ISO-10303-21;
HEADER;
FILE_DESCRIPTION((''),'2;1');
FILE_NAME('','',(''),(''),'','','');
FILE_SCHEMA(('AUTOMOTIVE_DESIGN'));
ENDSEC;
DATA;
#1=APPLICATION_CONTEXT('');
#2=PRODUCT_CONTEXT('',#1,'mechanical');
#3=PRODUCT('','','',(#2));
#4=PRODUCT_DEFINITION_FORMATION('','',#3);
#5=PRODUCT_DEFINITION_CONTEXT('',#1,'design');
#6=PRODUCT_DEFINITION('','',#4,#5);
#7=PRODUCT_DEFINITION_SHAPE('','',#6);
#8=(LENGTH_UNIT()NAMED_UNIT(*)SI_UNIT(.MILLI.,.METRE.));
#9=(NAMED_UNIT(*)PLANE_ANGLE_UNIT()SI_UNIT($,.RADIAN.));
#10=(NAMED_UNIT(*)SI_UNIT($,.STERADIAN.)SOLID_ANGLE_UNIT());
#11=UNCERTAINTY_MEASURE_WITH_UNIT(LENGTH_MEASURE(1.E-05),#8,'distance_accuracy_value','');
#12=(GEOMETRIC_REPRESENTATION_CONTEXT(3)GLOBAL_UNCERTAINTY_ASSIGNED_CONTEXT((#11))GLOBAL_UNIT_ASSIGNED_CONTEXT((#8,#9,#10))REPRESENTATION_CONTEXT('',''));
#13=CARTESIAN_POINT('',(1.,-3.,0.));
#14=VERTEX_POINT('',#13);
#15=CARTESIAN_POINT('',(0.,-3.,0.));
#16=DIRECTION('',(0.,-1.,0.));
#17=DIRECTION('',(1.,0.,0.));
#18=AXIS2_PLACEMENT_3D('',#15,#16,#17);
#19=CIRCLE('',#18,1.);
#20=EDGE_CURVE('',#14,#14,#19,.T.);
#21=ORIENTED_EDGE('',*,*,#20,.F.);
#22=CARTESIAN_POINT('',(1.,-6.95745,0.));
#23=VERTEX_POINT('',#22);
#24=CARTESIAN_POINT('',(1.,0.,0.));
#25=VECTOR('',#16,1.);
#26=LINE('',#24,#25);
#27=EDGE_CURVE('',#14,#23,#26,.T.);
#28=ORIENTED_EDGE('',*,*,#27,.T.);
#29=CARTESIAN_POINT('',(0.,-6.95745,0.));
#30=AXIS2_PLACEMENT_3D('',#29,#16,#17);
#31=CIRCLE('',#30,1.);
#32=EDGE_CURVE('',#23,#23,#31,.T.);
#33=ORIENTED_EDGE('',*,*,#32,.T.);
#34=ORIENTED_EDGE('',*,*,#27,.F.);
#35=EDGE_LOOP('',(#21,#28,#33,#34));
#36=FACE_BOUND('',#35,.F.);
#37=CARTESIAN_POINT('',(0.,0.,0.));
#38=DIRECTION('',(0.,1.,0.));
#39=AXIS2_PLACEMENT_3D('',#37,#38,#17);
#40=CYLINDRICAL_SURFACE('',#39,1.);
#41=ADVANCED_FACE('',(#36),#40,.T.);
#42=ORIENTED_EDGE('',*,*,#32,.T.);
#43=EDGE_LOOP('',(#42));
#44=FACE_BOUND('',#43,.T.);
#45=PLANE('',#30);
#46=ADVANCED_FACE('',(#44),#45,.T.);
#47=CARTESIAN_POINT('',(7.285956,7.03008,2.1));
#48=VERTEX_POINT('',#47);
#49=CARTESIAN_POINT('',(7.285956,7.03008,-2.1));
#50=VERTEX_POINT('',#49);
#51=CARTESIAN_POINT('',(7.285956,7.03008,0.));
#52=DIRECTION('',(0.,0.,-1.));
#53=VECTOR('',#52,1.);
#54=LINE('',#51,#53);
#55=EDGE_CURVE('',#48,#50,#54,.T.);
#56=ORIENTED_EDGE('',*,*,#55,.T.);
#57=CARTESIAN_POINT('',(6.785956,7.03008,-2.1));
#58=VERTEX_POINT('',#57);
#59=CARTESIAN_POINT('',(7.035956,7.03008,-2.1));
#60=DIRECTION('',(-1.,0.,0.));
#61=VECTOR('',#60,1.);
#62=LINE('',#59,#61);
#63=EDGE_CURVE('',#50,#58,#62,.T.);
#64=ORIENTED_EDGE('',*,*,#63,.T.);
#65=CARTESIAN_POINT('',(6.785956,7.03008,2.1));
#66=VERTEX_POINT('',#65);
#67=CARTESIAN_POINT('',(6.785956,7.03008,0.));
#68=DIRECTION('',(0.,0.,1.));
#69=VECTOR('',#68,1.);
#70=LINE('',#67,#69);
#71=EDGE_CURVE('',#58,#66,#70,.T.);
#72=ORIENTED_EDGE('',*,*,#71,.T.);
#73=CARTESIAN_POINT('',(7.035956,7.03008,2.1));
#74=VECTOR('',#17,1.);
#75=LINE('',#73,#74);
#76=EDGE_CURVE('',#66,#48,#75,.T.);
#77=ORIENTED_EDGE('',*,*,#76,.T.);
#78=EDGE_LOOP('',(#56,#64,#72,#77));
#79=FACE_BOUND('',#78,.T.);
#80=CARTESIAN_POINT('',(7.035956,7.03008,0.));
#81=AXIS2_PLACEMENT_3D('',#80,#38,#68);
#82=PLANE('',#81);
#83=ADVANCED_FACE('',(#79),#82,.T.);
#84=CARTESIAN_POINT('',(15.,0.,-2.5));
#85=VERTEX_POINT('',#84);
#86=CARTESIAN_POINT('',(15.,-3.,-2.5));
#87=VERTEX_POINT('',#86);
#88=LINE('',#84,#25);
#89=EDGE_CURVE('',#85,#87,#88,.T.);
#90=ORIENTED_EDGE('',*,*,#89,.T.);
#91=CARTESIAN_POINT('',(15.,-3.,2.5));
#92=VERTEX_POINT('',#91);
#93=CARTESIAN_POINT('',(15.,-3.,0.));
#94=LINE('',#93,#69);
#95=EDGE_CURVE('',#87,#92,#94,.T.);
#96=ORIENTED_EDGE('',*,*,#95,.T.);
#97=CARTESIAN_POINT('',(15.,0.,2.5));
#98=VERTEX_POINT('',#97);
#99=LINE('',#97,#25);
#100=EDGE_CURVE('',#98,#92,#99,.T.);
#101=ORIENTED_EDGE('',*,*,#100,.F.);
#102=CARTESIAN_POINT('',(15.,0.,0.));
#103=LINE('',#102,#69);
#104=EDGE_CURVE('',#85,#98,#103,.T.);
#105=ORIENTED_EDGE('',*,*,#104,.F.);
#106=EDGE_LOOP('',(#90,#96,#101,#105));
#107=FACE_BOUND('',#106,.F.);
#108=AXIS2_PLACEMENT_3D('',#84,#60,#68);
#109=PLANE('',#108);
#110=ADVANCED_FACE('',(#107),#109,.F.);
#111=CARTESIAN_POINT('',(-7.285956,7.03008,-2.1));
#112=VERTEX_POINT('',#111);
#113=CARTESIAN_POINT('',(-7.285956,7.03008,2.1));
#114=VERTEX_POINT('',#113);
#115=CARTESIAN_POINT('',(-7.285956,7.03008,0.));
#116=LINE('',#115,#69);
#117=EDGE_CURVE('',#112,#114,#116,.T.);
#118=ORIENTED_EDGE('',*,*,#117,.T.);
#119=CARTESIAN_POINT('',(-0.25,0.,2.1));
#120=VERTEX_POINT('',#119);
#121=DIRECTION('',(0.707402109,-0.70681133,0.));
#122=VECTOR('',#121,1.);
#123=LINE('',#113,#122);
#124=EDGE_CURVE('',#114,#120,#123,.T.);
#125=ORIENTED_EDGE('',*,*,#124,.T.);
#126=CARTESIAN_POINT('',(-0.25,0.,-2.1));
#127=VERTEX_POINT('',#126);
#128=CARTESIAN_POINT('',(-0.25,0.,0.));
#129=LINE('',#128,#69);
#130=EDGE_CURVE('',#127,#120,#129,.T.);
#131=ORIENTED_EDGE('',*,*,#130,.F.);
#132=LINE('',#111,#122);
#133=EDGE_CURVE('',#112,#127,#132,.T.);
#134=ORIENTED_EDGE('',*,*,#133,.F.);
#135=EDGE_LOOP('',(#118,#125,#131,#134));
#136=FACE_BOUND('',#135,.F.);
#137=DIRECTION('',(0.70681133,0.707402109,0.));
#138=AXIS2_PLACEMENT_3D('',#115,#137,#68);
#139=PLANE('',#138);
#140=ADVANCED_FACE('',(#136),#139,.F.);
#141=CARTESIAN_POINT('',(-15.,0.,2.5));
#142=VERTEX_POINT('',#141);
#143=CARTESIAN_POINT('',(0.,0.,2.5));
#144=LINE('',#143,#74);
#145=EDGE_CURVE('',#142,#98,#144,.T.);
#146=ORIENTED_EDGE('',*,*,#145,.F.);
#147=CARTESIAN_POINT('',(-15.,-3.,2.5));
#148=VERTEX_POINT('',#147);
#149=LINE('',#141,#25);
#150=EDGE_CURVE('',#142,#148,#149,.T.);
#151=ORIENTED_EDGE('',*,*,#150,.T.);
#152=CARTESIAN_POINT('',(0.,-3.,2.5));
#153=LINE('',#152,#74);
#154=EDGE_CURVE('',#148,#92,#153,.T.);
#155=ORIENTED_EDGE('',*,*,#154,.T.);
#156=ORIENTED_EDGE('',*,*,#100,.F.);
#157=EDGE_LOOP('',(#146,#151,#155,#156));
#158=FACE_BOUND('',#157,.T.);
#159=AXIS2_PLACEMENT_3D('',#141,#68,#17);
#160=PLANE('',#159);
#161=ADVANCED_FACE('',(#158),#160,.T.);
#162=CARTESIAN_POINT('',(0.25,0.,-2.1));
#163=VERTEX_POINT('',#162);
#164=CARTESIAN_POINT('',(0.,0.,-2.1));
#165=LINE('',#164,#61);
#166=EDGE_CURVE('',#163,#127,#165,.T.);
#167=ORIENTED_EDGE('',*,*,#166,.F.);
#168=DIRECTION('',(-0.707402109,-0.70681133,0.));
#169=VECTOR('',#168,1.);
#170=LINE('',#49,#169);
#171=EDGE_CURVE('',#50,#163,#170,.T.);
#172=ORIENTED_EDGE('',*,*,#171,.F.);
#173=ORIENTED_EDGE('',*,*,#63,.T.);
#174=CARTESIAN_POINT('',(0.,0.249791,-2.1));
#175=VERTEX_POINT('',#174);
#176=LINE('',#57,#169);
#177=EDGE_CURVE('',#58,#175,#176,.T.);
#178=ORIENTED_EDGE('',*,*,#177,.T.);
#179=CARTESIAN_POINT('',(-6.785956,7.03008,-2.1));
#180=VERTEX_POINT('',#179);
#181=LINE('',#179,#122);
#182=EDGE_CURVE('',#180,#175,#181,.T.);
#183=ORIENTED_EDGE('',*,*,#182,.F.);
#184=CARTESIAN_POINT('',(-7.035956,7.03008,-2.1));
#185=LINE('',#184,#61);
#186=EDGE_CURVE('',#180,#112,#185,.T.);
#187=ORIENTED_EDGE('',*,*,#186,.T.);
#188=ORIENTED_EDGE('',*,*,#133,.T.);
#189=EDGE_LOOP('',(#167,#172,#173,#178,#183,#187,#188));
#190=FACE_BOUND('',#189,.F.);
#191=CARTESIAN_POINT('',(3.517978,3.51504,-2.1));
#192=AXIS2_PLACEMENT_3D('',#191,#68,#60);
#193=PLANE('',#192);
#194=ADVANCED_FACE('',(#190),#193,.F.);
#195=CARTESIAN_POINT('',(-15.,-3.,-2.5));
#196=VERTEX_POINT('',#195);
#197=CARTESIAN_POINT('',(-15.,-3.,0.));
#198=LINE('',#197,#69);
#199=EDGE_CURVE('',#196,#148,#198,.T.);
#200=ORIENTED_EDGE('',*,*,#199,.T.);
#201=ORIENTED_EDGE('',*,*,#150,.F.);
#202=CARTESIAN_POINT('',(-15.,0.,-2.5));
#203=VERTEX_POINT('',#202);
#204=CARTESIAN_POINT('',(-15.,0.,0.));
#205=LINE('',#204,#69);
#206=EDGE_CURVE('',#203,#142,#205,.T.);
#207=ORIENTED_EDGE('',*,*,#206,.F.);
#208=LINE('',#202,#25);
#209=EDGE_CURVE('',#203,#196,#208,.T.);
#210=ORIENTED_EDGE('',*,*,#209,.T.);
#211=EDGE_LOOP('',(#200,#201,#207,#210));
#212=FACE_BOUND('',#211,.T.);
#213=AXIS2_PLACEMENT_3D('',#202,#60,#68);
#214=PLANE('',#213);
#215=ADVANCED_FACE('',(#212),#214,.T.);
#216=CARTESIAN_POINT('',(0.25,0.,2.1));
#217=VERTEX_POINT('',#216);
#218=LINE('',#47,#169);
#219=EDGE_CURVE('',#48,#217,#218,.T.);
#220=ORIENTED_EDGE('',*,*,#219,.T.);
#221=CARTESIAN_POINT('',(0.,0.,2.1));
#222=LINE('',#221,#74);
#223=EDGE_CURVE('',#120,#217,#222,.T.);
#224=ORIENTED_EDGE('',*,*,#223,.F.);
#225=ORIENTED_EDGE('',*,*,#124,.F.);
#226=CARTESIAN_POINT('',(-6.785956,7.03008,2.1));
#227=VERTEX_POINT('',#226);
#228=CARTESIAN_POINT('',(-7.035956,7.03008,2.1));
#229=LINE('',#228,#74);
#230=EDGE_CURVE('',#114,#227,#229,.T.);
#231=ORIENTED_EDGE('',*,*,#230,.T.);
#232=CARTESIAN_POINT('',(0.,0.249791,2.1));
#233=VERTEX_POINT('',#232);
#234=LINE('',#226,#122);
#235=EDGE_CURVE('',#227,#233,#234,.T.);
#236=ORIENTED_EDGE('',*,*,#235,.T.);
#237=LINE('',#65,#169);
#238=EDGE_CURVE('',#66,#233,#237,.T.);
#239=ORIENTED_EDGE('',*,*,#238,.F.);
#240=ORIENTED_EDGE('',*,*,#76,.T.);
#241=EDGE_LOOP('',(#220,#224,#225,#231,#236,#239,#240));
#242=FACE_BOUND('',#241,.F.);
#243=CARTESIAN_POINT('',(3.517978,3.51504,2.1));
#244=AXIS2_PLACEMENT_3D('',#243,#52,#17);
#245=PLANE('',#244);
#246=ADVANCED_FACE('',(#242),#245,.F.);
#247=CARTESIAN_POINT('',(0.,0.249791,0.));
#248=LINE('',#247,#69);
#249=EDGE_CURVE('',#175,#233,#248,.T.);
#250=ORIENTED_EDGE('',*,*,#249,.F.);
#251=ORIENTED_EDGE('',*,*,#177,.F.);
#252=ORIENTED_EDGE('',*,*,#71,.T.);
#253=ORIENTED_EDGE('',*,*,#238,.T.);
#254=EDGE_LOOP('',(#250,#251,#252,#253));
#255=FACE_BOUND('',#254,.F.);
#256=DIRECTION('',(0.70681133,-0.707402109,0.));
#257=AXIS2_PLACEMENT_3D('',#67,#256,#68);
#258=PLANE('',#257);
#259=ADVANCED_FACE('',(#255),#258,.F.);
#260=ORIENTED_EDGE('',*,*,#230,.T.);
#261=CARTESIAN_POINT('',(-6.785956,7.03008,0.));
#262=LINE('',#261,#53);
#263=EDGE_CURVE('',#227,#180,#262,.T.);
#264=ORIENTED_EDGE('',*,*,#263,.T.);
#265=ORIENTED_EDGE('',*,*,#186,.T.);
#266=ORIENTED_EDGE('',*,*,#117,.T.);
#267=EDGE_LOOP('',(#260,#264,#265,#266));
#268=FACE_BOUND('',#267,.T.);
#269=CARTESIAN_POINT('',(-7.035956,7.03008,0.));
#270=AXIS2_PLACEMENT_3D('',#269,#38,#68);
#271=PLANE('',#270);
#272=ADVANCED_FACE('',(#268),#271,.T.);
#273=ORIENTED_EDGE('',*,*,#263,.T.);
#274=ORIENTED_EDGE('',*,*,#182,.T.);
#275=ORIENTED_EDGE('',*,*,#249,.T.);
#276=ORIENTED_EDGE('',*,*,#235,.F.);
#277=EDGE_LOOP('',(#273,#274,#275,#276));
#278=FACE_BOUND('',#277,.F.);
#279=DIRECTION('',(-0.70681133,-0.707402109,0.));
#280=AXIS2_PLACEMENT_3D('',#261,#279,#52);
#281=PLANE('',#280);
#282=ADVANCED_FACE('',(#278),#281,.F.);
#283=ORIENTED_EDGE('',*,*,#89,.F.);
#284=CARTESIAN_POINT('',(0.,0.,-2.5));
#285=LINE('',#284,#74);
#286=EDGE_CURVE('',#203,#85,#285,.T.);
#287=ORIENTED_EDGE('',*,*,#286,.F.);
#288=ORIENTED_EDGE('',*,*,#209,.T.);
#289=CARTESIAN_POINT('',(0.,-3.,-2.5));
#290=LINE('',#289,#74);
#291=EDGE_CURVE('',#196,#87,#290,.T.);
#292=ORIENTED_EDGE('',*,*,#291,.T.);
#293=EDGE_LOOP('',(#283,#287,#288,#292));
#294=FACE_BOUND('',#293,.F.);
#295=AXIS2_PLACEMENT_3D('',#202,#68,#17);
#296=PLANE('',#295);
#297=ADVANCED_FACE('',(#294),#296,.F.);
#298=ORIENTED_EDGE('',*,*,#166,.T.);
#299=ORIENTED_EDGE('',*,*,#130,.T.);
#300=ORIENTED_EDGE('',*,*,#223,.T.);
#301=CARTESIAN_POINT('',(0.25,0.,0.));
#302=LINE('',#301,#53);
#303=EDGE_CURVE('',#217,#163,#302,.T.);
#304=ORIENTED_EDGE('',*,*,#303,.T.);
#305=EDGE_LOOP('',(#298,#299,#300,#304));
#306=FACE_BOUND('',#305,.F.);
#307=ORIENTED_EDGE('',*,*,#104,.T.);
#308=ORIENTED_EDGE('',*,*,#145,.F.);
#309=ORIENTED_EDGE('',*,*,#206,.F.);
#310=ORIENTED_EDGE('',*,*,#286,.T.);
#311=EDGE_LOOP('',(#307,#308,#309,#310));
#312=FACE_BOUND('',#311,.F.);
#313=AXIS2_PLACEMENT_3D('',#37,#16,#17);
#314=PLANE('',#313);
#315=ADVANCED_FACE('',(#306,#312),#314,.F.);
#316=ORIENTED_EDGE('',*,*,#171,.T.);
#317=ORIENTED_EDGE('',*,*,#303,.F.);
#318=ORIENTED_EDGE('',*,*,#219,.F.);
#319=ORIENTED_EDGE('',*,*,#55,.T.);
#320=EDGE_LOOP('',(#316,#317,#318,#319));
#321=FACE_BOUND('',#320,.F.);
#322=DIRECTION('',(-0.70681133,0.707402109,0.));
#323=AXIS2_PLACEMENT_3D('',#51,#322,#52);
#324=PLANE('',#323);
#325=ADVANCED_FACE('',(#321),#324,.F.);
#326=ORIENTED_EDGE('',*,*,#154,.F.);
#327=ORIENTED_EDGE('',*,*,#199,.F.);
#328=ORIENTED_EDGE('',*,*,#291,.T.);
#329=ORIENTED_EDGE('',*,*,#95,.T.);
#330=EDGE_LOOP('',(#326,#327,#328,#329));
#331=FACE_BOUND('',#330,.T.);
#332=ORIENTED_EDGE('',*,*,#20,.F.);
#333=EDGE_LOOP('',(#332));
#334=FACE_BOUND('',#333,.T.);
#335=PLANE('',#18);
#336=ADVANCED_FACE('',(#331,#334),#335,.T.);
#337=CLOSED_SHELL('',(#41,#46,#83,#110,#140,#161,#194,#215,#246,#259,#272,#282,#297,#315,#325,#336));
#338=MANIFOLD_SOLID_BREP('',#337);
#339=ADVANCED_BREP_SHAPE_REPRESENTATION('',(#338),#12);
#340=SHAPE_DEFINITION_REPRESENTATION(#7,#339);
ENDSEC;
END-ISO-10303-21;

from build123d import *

# Parameters (mm, degrees)
F0_W     = 30
F0_H     = 5
F0_R     = 1
F1_DEPTH = 3
F2_DEPTH = 6.95745
F4_W     = 0.5
F4_H     = 4.2


with BuildPart() as f1:
    # F0 (on Front) → F1 (new body)
    with BuildSketch(Plane.XZ):
        Rectangle(F0_W, F0_H)
        Circle(F0_R, mode=Mode.SUBTRACT)
    extrude(amount=F1_DEPTH)

    # F0 (on Front) → F2 (join)
    with BuildSketch(Plane.XZ):
        Circle(F0_R)
    extrude(amount=F2_DEPTH)

    # F5: sweep along a path in F3
    with BuildLine(Plane.XY) as f5_path:
        Line((-7.035956, 7.03008), (0, 0))
    # F4 (on face) → F5 (sweep)
    with BuildSketch(Plane(origin=(0, 0, 0), x_dir=(-1, 0, 0), z_dir=(0, 1, 0))):
        Rectangle(F4_W, F4_H)
    sweep(path=f5_path.line)

    # F6: sweep along a path in F3
    with BuildLine(Plane.XY) as f6_path:
        Line((7.035956, 7.03008), (0, 0))
    # F4 (on face) → F6 (sweep)
    with BuildSketch(Plane(origin=(0, 0, 0), x_dir=(-1, 0, 0), z_dir=(0, 1, 0))):
        Rectangle(F4_W, F4_H)
    sweep(path=f6_path.line)


solid = f1.part
